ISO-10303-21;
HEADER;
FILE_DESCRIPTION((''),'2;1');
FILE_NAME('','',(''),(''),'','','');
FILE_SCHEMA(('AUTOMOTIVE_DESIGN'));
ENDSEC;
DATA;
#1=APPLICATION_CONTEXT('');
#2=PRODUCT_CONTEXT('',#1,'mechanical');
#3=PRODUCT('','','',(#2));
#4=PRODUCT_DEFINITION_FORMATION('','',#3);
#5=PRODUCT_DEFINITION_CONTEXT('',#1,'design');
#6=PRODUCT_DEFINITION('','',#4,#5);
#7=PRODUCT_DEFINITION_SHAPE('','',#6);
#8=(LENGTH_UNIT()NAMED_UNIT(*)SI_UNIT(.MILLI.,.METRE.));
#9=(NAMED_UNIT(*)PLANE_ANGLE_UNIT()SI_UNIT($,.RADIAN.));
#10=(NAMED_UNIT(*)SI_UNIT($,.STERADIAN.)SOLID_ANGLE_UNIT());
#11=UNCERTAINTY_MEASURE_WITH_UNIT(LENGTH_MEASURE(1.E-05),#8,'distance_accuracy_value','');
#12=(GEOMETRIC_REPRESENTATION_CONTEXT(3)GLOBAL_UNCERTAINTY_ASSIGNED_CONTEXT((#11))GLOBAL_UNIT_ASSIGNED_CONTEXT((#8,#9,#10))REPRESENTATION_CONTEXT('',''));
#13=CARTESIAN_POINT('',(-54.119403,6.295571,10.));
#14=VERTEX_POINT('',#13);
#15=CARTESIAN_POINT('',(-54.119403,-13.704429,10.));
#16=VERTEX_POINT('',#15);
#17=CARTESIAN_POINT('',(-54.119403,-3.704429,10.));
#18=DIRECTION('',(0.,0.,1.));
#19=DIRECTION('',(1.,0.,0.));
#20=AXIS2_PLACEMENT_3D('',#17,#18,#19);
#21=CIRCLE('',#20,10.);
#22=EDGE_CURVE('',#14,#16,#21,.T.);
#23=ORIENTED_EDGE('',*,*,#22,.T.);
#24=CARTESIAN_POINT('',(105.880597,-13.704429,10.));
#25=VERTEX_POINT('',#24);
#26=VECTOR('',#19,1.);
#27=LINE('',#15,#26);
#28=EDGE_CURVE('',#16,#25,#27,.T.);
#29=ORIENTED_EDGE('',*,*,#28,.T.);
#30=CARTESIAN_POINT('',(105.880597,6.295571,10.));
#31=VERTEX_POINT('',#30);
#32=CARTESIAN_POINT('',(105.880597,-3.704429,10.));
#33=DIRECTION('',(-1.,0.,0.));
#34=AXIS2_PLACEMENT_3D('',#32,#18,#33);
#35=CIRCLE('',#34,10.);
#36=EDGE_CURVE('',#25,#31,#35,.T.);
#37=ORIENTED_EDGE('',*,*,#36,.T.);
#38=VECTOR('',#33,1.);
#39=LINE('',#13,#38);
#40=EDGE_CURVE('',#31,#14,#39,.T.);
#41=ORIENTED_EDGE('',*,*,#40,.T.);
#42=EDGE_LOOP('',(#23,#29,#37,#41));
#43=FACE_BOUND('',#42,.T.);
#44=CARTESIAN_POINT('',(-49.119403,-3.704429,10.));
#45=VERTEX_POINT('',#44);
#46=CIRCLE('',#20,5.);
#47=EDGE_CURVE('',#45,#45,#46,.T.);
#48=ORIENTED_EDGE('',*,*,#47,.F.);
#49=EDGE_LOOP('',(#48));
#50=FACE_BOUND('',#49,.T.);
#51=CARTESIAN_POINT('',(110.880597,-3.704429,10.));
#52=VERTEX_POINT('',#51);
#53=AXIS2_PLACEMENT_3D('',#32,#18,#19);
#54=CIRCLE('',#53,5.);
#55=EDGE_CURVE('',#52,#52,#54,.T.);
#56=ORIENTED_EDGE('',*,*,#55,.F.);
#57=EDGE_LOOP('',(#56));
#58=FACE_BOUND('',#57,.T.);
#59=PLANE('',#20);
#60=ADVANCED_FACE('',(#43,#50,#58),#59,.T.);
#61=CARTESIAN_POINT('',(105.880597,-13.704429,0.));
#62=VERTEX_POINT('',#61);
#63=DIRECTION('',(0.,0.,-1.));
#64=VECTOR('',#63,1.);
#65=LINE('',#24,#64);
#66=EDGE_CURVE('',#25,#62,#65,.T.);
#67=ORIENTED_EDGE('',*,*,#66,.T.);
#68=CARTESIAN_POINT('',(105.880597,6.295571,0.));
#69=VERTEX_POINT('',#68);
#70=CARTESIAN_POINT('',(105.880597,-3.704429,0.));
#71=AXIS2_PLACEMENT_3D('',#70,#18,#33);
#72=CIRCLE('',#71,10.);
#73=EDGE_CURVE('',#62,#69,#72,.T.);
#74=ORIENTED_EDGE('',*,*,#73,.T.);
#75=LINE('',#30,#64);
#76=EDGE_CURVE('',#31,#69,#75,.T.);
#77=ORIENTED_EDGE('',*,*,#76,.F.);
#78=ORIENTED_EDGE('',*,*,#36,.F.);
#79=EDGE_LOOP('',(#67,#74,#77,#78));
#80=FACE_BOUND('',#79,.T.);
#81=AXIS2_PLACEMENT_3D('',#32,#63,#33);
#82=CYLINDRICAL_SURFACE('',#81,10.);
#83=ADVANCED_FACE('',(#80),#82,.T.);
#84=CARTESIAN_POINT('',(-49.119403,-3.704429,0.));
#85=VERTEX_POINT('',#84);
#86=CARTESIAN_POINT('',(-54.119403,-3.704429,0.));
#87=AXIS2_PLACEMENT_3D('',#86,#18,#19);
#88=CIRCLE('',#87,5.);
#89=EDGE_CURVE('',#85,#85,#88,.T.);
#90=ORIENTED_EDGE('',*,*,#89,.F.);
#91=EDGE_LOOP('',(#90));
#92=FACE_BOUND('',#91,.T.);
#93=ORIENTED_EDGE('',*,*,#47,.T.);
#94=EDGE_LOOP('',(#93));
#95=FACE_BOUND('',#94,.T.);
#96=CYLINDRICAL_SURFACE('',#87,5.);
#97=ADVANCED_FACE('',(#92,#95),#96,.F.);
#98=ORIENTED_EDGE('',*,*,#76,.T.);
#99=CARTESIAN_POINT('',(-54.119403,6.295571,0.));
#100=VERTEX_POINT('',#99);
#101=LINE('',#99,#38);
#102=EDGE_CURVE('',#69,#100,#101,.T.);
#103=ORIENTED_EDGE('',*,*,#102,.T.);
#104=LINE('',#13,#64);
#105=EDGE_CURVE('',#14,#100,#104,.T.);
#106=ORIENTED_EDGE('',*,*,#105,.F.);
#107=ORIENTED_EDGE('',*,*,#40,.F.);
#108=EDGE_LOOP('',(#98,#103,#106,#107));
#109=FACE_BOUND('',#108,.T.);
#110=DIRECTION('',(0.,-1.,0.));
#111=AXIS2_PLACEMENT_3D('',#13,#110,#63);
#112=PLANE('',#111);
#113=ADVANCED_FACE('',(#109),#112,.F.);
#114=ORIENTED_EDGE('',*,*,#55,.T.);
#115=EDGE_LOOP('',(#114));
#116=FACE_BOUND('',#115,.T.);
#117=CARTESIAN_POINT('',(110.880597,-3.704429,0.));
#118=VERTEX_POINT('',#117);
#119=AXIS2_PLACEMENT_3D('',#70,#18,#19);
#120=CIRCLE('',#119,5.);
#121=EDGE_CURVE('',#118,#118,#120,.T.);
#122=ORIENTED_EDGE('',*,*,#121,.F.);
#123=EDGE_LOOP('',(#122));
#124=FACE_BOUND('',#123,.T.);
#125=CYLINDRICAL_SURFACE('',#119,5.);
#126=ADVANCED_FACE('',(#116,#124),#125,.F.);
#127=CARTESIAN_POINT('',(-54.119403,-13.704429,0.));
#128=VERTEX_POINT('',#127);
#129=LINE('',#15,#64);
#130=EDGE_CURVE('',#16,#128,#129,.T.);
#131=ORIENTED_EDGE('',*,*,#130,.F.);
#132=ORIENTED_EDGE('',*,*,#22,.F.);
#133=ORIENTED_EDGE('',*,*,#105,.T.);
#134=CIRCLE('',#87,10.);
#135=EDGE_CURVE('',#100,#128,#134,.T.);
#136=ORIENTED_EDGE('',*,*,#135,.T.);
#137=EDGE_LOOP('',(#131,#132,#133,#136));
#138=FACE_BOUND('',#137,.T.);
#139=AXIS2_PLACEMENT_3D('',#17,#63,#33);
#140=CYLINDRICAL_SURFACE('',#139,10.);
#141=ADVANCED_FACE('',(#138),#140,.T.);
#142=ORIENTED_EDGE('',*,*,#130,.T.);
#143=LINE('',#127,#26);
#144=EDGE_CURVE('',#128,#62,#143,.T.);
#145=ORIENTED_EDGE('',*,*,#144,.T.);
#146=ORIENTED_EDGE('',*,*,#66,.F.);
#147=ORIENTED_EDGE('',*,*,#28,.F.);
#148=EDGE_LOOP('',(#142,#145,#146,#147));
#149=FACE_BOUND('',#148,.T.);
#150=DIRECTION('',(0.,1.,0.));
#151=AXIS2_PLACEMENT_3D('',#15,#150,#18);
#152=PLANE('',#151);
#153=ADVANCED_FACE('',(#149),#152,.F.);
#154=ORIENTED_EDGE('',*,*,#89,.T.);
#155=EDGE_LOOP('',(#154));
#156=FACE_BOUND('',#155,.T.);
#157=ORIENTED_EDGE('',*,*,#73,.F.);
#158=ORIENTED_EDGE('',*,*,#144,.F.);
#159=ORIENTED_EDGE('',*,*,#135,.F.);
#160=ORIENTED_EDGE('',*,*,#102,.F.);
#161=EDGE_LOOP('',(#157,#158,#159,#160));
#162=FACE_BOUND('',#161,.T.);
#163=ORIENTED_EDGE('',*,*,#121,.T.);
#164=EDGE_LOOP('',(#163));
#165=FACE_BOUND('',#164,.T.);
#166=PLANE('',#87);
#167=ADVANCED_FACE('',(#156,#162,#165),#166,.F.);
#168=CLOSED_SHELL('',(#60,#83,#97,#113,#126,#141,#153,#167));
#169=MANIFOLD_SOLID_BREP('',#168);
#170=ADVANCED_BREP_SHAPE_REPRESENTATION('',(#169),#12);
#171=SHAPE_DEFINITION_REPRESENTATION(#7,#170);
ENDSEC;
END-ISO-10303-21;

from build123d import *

# Parameters (mm, degrees)
EXTRUDE_1_DEPTH     = 10
SKETCH_2_R          = 5
CUT_EXTRUDE_1_DEPTH = 10


with BuildPart() as part:
    # 草图1 → 凸台-拉伸1 (new body)
    with BuildSketch(Plane.XY):
        with BuildLine():
            Line((-54.119402514, 6.295570654), (105.880597486, 6.295570654))
            ThreePointArc((105.880597486, 6.295570654), (115.880597486, -3.704429346), (105.880597486, -13.704429346))
            Line((105.880597486, -13.704429346), (-54.119402514, -13.704429346))
            ThreePointArc((-54.119402514, -13.704429346), (-64.119402514, -3.704429346), (-54.119402514, 6.295570654))
        make_face()
    extrude(amount=EXTRUDE_1_DEPTH)

    # 草图2 → 切除-拉伸1 (cut)
    with BuildSketch(Plane.XY.offset(10)):
        with Locations((105.880597486, -3.704429346)):
            Circle(SKETCH_2_R)
        with Locations((-54.119402514, -3.704429346)):
            Circle(SKETCH_2_R)
    extrude(amount=-CUT_EXTRUDE_1_DEPTH, mode=Mode.SUBTRACT)


solid = part.part
